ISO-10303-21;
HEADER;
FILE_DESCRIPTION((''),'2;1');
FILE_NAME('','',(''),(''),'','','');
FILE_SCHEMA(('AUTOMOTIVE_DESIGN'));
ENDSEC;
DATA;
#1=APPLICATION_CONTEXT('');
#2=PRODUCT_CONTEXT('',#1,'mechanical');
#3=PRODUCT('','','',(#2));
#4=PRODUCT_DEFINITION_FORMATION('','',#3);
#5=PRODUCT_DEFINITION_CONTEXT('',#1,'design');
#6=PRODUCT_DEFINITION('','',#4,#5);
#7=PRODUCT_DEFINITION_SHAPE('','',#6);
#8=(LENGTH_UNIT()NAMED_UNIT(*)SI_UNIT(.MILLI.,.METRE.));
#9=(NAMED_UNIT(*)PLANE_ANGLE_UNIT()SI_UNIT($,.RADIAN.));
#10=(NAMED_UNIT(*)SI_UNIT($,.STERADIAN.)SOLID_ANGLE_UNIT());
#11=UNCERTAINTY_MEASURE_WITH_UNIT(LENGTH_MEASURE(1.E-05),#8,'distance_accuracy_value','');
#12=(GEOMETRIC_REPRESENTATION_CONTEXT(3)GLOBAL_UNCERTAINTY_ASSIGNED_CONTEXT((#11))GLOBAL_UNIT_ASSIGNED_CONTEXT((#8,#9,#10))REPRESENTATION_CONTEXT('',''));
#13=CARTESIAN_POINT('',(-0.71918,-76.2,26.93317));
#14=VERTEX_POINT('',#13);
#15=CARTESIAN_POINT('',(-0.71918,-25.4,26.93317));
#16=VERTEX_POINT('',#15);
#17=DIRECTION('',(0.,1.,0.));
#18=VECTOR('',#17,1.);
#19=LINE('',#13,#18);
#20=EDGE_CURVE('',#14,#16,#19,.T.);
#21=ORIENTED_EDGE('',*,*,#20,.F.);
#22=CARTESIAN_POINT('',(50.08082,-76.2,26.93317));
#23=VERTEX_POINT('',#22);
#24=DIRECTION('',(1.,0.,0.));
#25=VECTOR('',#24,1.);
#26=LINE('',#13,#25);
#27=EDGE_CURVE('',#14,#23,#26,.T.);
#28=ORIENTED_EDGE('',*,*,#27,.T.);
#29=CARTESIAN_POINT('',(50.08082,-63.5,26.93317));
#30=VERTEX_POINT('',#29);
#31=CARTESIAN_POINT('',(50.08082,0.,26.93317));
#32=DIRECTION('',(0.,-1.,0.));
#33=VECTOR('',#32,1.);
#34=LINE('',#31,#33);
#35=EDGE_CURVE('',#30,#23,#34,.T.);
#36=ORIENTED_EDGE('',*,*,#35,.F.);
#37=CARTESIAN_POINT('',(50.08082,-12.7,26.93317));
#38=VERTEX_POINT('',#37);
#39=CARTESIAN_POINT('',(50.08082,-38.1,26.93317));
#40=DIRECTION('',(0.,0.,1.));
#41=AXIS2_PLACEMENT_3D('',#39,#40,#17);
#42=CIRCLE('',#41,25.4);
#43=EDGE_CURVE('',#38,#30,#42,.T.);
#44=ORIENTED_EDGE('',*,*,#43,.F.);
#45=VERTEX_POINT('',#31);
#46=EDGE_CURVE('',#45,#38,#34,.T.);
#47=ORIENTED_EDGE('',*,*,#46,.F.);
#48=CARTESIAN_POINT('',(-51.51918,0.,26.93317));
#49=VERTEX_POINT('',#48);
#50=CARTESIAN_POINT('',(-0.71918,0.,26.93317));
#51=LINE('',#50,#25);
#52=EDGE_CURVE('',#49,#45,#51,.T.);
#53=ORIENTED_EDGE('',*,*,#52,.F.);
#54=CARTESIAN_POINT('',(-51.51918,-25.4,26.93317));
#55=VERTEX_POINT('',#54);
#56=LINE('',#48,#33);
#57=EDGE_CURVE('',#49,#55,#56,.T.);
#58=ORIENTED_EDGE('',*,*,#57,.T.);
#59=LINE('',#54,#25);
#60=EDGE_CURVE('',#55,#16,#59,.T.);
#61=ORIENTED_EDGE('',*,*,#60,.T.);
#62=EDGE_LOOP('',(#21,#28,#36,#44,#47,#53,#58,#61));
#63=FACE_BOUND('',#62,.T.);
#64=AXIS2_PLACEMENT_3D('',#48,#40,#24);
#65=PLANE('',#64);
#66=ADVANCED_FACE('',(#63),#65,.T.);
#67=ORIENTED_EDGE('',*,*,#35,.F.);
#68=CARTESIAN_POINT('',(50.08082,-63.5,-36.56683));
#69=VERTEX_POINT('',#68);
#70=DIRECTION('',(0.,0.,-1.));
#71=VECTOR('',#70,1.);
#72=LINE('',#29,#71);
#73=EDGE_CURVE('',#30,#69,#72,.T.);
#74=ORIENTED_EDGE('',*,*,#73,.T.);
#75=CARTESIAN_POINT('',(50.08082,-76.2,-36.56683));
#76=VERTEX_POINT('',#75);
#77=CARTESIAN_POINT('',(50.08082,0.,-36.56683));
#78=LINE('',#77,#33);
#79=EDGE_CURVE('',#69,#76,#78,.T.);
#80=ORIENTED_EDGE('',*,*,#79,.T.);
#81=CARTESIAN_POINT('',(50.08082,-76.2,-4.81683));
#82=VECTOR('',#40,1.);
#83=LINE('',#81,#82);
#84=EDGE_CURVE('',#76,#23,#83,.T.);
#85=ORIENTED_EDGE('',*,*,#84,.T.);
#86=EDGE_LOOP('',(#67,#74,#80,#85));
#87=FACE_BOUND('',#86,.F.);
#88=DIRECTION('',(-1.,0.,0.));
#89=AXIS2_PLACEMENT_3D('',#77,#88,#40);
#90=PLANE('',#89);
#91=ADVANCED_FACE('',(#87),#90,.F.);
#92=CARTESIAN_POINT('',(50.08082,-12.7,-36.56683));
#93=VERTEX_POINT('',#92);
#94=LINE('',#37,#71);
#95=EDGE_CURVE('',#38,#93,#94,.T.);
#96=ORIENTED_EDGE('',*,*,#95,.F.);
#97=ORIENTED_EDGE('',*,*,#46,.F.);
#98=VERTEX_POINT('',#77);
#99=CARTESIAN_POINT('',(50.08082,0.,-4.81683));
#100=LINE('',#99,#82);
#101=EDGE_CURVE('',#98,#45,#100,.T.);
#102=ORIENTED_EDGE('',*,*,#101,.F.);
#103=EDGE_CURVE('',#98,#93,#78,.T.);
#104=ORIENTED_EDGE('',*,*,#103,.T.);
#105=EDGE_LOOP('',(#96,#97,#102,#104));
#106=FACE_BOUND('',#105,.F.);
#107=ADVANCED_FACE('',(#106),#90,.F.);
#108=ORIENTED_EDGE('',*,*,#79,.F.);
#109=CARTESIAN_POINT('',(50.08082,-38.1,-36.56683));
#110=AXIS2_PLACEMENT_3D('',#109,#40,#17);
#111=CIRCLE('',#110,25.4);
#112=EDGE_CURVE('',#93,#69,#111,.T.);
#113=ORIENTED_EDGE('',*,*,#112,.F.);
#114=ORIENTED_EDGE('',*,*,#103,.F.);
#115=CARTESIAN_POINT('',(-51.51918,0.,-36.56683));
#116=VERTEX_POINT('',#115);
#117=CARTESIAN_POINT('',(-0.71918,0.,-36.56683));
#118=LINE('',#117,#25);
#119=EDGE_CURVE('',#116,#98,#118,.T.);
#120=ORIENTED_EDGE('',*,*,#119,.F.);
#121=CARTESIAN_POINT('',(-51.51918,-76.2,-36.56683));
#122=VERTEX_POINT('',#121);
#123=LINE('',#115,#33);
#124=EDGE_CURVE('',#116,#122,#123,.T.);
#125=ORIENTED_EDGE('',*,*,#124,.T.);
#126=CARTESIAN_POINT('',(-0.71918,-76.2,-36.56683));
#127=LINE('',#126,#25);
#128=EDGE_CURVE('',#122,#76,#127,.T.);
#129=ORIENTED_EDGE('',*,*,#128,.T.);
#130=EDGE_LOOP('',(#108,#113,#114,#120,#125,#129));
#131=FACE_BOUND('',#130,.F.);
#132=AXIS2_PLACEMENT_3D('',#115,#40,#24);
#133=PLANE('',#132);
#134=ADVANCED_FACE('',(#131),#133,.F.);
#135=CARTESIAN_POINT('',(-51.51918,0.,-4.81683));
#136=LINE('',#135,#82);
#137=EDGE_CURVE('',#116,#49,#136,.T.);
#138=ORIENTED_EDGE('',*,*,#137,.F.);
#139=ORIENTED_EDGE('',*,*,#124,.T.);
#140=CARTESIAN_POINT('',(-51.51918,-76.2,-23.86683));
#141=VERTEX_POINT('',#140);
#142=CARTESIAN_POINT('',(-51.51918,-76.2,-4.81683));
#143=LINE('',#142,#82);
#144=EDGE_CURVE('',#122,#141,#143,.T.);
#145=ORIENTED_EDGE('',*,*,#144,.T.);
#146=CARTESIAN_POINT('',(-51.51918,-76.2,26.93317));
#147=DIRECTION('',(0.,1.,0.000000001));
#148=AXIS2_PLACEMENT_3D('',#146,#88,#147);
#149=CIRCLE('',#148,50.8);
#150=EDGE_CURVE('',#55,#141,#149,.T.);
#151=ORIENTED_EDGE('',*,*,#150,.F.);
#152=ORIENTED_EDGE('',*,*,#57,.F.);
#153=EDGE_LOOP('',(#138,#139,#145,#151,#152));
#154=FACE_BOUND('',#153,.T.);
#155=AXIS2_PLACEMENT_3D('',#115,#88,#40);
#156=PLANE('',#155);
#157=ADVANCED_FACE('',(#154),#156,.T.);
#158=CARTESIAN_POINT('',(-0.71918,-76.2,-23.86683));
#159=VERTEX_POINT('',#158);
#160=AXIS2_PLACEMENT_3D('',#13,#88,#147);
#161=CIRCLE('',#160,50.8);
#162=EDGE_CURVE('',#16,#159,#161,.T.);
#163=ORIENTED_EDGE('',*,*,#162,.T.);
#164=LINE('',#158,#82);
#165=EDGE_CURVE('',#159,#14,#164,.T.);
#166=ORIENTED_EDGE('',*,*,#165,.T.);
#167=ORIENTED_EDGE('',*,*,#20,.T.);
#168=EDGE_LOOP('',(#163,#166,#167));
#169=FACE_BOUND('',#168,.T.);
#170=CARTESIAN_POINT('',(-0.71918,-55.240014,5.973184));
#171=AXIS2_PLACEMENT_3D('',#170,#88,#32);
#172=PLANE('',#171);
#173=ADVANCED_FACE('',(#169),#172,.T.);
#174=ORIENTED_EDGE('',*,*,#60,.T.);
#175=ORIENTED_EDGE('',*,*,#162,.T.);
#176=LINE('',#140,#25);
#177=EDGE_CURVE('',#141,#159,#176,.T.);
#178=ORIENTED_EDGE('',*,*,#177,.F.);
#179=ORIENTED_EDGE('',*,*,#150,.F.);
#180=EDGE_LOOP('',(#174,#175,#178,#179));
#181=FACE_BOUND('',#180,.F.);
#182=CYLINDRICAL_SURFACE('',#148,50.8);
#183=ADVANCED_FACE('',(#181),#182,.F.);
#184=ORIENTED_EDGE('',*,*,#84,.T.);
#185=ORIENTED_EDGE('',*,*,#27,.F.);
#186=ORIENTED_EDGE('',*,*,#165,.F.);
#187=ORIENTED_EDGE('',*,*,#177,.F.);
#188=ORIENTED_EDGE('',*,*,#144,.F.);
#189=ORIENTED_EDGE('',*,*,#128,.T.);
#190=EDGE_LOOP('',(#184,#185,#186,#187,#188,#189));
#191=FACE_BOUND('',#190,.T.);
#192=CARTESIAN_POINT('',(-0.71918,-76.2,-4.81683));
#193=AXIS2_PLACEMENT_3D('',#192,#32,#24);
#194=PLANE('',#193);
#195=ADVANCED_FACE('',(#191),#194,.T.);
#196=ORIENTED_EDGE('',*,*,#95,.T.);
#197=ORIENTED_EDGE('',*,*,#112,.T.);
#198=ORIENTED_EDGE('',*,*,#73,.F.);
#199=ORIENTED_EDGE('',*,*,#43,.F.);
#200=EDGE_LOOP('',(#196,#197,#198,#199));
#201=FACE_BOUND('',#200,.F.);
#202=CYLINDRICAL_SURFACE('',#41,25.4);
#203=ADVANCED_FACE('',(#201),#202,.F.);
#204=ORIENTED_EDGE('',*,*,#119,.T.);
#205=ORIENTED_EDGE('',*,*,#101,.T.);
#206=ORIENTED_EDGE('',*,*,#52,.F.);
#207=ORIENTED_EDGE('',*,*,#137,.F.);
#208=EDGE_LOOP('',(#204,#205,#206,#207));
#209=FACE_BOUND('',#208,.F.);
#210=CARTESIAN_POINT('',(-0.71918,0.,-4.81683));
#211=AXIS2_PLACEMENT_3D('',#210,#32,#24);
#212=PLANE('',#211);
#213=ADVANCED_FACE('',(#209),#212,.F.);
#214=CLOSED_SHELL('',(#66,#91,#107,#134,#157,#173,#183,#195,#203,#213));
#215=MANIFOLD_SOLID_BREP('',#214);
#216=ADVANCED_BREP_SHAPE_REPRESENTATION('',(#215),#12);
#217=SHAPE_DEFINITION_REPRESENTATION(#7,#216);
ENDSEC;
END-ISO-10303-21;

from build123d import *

# Parameters (mm, degrees)
F0_W     = 101.6
F0_H     = 63.5
F1_DEPTH = 76.2
F3_DEPTH = 63.501
F5_DEPTH = 50.8


with BuildPart() as f1:
    # F0 (on Front) → F1 (new body)
    with BuildSketch(Plane.XZ):
        with Locations((-0.71918, -4.81683)):
            Rectangle(F0_W, F0_H)
    extrude(amount=F1_DEPTH)

    # F2 (on face) → F3 (cut, through all)
    with BuildSketch(Plane.XY.offset(26.93317)):
        with BuildLine():
            Line((50.08082, -63.5), (50.08082, -12.7))
            ThreePointArc((50.08082, -12.7), (24.68082, -38.1), (50.08082, -63.5))
        make_face()
    extrude(amount=-F3_DEPTH, mode=Mode.SUBTRACT)

    # F4 (on face) → F5 (cut)
    with BuildSketch(Plane(origin=(-51.51918, 0, 0), x_dir=(0, -1, 0), z_dir=(-1, 0, 0))):
        with BuildLine():
            Line((76.2, 26.93317), (25.4, 26.93317))
            ThreePointArc((25.4, 26.93317), (40.278976, -8.987855), (76.2, -23.86683))
            Line((76.2, -23.86683), (76.2, 26.93317))
        make_face()
    extrude(amount=-F5_DEPTH, mode=Mode.SUBTRACT)


solid = f1.part
